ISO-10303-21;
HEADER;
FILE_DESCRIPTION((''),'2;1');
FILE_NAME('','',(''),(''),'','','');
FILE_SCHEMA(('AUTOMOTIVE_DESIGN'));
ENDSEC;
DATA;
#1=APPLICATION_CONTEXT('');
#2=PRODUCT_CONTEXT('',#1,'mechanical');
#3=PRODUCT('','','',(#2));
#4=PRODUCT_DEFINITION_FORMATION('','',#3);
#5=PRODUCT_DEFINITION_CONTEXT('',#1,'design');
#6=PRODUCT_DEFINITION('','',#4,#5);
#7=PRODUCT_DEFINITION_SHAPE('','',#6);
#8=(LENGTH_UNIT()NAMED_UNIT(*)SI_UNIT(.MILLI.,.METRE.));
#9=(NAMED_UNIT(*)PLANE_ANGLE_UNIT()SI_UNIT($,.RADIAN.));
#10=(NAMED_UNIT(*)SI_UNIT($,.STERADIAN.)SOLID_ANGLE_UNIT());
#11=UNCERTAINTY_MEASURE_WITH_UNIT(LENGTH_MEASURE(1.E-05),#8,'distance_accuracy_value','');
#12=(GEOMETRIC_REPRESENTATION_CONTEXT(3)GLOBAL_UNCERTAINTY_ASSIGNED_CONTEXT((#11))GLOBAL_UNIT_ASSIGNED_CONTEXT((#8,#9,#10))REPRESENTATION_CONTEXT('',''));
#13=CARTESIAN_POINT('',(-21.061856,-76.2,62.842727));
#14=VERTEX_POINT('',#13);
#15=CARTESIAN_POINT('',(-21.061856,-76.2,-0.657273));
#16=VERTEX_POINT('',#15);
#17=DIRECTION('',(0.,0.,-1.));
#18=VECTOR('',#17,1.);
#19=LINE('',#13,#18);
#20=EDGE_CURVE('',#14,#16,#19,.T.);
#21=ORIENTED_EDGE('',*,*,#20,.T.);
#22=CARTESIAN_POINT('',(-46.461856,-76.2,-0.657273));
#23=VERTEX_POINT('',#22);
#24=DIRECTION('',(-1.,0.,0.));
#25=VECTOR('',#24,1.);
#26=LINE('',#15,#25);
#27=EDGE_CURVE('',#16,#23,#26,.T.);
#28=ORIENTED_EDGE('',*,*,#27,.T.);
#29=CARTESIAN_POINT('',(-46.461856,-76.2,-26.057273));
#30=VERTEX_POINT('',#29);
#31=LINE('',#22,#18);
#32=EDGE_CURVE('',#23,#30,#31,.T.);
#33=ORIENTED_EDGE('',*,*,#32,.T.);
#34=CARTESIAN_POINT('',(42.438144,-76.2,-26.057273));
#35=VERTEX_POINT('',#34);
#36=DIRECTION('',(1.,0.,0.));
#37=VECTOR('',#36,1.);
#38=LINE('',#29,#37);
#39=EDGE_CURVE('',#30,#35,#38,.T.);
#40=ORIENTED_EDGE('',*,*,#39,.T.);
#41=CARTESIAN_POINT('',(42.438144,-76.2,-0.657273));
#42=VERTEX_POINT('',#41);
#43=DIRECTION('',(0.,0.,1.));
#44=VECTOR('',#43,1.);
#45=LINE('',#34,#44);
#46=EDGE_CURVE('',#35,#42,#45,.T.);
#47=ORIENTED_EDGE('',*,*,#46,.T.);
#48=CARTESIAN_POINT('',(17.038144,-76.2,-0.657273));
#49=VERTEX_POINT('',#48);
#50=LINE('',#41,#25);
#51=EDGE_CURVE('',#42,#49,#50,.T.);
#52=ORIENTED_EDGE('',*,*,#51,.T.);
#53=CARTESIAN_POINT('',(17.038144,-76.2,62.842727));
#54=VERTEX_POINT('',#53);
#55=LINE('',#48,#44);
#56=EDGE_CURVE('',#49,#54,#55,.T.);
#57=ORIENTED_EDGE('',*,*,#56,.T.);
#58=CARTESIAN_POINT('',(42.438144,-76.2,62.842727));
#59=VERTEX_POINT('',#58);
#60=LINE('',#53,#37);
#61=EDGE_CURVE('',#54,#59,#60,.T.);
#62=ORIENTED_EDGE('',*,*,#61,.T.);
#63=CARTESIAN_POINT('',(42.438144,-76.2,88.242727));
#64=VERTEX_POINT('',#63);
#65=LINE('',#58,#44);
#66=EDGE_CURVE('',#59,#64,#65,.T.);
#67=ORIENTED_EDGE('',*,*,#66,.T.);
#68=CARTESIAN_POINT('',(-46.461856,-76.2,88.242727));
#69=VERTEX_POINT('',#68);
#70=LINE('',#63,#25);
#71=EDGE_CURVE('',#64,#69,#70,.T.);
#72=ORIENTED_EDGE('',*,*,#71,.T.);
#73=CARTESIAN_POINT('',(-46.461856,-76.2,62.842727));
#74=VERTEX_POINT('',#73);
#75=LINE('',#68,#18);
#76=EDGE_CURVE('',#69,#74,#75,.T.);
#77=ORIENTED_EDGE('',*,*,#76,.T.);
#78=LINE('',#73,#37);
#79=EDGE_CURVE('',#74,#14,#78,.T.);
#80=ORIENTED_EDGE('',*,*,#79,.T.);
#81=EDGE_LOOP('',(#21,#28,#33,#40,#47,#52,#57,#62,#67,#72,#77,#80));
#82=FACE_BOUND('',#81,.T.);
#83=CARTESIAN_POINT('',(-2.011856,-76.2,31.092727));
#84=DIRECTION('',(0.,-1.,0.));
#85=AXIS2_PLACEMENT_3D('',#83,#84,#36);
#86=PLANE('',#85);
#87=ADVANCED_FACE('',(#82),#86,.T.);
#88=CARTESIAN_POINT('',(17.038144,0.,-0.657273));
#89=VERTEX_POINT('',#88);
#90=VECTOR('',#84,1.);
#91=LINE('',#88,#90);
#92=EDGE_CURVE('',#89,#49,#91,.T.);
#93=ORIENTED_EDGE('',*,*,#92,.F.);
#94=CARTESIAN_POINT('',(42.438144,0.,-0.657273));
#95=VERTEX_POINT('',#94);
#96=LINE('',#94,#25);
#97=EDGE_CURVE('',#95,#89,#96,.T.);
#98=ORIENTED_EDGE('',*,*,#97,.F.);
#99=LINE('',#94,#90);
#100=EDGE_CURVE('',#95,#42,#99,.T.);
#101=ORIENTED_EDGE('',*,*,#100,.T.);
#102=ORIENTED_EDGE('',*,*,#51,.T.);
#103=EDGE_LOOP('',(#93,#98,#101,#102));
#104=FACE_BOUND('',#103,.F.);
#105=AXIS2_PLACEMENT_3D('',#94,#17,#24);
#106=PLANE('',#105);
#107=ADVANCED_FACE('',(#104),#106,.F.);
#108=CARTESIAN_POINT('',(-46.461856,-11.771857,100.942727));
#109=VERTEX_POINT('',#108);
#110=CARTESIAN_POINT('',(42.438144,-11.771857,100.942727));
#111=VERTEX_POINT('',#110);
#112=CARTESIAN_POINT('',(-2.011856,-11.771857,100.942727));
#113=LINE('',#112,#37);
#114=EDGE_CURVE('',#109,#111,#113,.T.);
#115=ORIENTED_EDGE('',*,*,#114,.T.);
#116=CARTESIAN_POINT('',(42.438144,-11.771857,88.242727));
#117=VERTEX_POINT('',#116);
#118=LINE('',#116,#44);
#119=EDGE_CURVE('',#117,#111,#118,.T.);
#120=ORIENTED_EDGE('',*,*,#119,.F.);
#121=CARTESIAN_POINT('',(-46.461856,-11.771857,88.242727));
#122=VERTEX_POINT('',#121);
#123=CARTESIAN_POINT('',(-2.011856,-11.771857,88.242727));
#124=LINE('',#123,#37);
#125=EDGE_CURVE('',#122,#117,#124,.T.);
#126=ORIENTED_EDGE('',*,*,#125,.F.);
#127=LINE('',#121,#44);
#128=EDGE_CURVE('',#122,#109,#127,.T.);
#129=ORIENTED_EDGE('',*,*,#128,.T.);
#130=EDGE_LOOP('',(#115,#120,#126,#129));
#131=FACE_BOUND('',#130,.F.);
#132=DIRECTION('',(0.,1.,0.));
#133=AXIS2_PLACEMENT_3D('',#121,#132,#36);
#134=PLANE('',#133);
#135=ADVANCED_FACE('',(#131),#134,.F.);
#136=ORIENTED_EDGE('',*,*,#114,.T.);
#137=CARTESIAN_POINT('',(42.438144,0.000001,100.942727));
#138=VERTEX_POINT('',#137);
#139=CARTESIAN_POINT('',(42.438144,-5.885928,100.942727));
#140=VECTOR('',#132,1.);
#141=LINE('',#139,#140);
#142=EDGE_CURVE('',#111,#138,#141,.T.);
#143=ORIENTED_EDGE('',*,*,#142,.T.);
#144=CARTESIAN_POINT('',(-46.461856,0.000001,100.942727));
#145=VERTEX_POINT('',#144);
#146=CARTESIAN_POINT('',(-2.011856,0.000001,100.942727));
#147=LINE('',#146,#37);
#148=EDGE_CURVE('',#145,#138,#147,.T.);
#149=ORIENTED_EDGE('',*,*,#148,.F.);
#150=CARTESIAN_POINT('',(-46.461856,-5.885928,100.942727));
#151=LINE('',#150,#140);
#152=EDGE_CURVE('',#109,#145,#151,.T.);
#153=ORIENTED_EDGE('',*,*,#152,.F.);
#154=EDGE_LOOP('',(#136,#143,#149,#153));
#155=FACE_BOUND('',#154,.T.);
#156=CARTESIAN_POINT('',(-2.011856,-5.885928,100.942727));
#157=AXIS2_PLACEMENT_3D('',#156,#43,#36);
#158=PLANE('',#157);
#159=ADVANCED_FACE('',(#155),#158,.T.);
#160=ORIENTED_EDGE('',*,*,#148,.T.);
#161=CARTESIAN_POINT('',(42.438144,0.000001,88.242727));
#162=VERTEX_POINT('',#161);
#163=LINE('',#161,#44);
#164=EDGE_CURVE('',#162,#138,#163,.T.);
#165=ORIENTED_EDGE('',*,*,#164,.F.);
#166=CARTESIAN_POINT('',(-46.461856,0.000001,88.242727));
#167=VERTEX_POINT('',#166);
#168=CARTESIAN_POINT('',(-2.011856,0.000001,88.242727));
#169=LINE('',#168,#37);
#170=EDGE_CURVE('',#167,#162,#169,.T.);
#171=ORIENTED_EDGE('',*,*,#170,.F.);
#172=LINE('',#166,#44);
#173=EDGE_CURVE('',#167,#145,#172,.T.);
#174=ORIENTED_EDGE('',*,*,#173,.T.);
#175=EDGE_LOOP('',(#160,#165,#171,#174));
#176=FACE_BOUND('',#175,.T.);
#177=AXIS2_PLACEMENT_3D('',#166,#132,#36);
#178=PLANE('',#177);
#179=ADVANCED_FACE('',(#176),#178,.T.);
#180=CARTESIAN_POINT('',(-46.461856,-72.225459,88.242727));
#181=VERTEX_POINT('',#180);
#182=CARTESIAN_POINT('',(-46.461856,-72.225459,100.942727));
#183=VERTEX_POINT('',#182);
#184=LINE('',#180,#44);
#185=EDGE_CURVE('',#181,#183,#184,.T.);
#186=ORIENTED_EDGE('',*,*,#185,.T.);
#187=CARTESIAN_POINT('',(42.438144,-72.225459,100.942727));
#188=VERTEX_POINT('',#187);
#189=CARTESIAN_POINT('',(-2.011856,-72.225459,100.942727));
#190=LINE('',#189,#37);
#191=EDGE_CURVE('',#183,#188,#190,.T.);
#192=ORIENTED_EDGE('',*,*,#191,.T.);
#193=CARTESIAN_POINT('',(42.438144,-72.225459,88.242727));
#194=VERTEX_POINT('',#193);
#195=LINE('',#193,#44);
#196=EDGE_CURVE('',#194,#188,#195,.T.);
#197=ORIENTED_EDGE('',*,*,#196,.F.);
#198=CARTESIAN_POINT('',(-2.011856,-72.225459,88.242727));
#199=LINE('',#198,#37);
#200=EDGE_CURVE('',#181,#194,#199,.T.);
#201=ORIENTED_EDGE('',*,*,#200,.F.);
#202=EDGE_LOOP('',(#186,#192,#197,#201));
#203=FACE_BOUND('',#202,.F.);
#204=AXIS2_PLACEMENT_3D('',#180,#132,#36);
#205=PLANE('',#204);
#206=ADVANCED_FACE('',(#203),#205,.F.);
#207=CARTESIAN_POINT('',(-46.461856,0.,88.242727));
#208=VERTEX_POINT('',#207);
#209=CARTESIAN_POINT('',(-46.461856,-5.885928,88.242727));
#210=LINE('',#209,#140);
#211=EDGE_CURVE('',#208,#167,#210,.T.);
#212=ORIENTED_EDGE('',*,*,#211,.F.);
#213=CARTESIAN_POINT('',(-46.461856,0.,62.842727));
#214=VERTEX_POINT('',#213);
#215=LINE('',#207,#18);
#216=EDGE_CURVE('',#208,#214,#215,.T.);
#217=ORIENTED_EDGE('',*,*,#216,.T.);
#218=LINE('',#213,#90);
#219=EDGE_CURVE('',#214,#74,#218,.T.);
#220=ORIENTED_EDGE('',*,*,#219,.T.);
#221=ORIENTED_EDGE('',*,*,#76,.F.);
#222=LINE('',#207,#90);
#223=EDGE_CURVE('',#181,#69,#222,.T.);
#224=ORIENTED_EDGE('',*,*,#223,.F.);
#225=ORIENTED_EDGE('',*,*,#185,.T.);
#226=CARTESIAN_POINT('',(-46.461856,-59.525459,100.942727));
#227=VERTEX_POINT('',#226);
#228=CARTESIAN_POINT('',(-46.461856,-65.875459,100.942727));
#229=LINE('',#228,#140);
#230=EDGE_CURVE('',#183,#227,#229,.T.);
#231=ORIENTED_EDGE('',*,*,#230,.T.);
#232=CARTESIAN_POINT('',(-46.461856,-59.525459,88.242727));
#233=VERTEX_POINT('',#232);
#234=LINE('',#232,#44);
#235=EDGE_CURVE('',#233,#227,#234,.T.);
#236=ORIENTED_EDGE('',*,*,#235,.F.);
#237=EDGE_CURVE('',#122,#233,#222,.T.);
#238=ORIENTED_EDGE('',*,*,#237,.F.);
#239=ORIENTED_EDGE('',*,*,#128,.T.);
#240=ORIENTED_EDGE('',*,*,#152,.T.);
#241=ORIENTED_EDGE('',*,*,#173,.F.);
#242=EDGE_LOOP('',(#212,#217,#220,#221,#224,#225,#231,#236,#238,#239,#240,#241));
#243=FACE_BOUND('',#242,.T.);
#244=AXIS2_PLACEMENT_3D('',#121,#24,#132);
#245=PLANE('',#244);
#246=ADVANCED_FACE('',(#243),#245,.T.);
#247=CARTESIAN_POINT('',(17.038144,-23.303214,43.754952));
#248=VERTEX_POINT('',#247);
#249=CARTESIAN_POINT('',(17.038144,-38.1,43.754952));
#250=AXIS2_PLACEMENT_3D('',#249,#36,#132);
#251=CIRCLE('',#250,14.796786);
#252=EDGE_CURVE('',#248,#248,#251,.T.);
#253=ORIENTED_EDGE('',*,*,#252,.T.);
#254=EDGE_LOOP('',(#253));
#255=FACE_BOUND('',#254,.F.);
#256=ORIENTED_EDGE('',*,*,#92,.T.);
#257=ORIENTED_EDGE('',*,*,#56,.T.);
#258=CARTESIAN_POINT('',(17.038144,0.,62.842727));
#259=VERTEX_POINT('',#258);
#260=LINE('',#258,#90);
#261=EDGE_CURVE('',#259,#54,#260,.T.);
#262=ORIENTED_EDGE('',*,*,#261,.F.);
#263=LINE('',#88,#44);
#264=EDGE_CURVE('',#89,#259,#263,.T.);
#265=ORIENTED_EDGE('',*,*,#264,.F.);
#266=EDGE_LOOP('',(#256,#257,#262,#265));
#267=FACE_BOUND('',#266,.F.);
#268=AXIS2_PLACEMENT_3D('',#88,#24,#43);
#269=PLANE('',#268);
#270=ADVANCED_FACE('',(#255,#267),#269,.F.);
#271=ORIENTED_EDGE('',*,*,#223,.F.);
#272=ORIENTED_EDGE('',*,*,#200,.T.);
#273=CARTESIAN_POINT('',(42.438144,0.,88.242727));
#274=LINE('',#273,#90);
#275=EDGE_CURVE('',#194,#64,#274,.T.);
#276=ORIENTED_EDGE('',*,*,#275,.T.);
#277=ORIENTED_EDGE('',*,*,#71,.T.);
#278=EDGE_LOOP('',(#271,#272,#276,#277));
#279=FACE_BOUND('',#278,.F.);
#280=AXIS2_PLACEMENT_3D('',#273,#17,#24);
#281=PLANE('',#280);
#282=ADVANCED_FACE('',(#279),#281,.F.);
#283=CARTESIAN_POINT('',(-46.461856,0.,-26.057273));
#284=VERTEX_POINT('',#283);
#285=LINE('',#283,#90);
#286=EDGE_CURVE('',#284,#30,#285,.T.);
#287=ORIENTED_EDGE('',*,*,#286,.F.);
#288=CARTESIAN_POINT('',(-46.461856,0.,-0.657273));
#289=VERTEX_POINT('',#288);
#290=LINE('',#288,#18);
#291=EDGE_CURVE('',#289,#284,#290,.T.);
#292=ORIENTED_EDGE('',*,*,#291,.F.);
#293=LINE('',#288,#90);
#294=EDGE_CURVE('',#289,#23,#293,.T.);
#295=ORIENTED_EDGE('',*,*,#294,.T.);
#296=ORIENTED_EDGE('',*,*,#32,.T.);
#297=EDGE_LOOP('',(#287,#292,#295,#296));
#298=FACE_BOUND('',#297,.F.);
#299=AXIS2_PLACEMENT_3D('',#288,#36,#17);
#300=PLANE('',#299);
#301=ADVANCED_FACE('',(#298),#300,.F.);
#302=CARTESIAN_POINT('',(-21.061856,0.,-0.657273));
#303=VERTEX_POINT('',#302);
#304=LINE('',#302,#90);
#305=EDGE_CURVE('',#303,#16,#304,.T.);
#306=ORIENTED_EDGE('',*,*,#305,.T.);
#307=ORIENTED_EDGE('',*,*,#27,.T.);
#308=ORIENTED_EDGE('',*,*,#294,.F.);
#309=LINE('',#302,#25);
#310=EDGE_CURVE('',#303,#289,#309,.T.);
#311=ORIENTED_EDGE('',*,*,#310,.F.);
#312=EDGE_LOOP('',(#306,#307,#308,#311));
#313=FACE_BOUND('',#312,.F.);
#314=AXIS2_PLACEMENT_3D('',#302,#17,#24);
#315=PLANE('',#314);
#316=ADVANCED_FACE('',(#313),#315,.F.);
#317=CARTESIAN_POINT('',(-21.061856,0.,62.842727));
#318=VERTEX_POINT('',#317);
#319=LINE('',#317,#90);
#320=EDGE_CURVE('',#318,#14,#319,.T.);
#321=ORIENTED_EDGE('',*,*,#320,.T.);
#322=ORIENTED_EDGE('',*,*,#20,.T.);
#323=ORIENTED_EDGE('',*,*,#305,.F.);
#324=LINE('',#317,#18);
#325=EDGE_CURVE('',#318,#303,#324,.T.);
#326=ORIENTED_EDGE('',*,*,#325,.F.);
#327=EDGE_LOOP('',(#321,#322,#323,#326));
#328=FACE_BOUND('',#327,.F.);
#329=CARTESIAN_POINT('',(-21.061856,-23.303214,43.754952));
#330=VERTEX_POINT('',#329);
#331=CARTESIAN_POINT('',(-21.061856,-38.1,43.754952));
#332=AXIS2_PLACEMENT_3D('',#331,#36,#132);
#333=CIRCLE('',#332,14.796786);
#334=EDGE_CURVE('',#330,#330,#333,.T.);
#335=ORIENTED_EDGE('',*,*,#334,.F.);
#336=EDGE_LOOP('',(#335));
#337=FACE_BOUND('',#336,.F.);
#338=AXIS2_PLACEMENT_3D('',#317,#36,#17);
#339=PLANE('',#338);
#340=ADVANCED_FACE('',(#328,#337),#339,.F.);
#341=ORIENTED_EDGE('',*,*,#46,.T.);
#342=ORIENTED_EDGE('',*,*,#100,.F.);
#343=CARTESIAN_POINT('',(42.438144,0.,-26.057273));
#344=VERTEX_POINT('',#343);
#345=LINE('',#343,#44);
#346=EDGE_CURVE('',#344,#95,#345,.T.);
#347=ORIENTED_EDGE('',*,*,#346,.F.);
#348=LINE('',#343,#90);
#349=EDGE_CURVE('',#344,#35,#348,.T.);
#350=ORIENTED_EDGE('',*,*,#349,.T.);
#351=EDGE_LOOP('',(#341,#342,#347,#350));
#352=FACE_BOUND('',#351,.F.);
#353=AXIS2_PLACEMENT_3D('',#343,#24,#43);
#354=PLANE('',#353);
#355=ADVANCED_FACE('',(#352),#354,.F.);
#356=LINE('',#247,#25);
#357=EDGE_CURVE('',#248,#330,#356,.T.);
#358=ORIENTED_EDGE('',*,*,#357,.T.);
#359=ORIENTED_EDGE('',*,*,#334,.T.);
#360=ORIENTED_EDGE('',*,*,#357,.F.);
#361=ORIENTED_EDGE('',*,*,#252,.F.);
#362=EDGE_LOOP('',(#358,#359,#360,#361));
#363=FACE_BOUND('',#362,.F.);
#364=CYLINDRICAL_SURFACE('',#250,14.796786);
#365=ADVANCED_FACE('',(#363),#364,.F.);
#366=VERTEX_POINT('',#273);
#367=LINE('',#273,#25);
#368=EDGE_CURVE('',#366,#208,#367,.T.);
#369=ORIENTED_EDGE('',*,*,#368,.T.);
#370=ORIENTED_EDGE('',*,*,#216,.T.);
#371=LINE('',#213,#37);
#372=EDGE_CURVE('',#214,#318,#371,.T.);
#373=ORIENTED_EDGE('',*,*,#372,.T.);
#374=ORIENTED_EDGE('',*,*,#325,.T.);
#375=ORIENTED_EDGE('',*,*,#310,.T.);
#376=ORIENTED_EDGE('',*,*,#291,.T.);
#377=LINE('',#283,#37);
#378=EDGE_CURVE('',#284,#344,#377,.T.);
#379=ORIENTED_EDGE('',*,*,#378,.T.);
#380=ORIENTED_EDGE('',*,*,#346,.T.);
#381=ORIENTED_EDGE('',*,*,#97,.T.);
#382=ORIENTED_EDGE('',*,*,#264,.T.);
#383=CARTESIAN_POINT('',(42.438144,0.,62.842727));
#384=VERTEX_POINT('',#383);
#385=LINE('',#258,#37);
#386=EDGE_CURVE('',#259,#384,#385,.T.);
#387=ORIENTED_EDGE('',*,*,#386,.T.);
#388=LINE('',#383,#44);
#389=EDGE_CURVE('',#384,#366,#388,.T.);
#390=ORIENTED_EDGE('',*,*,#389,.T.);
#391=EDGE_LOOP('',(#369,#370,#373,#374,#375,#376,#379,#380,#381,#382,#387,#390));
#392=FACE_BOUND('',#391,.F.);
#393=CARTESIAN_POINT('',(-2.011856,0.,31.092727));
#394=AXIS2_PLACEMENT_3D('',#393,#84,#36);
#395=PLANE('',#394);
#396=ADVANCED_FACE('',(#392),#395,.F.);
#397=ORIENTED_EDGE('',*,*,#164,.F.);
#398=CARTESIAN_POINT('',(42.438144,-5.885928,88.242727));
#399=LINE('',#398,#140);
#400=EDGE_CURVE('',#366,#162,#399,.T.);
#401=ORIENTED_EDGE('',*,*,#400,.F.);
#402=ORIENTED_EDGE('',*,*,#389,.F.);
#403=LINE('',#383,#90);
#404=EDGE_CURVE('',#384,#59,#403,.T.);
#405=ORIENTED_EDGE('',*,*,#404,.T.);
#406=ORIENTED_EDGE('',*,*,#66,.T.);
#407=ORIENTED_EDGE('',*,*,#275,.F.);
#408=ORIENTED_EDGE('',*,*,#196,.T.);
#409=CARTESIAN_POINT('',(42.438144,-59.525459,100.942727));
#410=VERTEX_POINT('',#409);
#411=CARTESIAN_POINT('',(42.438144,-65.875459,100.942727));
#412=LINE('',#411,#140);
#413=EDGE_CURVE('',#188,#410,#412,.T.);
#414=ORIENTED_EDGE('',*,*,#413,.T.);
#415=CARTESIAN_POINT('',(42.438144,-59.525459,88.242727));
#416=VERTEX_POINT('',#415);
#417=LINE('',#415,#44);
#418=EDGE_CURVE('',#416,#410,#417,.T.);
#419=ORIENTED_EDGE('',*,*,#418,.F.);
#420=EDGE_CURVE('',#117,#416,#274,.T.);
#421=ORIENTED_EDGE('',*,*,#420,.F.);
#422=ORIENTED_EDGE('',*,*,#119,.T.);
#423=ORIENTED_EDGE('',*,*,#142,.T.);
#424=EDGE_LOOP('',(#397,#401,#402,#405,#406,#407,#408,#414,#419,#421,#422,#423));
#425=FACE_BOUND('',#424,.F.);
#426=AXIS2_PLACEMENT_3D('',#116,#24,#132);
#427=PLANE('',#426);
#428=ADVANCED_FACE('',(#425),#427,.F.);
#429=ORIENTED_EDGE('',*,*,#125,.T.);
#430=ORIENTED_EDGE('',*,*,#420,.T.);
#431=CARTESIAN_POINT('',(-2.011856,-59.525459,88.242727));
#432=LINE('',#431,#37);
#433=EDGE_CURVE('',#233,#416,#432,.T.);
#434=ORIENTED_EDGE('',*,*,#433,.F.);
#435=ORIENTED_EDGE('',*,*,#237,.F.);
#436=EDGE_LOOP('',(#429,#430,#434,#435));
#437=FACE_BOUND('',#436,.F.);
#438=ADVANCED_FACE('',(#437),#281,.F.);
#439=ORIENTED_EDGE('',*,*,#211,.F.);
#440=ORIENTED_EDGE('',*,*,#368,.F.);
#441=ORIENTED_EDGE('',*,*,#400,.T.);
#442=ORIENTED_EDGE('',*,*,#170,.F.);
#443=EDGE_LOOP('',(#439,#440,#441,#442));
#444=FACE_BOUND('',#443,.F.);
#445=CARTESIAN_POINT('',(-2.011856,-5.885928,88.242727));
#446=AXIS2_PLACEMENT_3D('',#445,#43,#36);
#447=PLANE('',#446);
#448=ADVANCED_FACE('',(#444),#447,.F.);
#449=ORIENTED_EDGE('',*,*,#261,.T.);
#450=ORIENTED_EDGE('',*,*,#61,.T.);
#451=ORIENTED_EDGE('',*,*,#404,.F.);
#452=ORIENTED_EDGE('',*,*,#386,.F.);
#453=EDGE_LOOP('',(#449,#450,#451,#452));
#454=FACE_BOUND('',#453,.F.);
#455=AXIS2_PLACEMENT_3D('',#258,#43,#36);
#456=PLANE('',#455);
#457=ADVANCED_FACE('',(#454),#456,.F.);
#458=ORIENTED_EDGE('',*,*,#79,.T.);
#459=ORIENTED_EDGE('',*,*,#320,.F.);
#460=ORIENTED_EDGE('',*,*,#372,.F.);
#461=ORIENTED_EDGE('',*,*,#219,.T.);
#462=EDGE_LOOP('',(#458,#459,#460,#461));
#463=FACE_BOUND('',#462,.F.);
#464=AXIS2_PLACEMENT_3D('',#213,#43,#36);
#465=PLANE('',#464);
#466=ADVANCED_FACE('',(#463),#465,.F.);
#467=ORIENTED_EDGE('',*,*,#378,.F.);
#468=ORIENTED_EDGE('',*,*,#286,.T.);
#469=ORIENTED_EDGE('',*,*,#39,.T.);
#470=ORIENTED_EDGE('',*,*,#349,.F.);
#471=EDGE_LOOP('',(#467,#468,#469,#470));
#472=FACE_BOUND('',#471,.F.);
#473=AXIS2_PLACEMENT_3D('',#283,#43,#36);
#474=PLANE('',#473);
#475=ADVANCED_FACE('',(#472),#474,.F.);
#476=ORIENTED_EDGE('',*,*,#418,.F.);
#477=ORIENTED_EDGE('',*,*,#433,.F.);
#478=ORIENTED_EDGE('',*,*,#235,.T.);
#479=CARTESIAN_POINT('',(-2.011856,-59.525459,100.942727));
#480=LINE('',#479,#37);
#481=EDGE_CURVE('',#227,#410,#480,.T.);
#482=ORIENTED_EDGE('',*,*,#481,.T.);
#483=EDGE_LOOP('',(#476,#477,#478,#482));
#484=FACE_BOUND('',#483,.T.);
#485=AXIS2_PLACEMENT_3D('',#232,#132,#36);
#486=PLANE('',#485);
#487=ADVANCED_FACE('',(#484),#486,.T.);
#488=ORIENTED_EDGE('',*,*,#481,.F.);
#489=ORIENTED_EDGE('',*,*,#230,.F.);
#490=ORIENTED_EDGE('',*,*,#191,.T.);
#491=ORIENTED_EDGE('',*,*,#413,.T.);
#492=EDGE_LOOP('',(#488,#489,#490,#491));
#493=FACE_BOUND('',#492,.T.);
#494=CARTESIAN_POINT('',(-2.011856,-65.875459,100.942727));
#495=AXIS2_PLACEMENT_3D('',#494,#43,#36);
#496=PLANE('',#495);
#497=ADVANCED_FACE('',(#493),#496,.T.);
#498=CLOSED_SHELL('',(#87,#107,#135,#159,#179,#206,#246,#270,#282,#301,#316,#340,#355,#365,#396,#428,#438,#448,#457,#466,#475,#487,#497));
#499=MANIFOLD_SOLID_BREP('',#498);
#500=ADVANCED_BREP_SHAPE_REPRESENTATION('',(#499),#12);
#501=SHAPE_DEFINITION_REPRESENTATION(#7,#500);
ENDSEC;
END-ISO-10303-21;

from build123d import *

# Parameters (mm, degrees)
F1_DEPTH = 76.2
F2_R     = 14.796786
F3_DEPTH = 127
F4_W     = 88.9
F4_H     = 11.771857
F5_DEPTH = 12.7
F4_H_2   = 12.7
F6_DEPTH = 12.7


with BuildPart() as f1:
    # F0 (on Front) → F1 (new body)
    with BuildSketch(Plane.XZ):
        Polygon((-46.461856, -26.057273), (42.438144, -26.057273), (42.438144, -0.657273), (17.038144, -0.657273), (17.038144, 62.842727), (42.438144, 62.842727), (42.438144, 88.242727), (-46.461856, 88.242727), (-46.461856, 62.842727), (-21.061856, 62.842727), (-21.061856, -0.657273), (-46.461856, -0.657273), align=None)
    extrude(amount=F1_DEPTH)

    # F2 (on face) → F3 (cut)
    with BuildSketch(Plane.YZ.offset(17.038144)):
        with Locations((-38.1, 43.754952)):
            Circle(F2_R)
    extrude(amount=-F3_DEPTH, mode=Mode.SUBTRACT)

    # F4 (on face) → F5 (join)
    with BuildSketch(Plane.XY.offset(88.242727)):
        with Locations((-2.011856, -5.885928)):
            Rectangle(F4_W, F4_H)
    extrude(amount=F5_DEPTH)

    # F4 (on face) → F6 (join)
    with BuildSketch(Plane.XY.offset(88.242727)):
        with Locations((-2.011856, -65.875459)):
            Rectangle(F4_W, F4_H_2)
    extrude(amount=F6_DEPTH)


solid = f1.part
